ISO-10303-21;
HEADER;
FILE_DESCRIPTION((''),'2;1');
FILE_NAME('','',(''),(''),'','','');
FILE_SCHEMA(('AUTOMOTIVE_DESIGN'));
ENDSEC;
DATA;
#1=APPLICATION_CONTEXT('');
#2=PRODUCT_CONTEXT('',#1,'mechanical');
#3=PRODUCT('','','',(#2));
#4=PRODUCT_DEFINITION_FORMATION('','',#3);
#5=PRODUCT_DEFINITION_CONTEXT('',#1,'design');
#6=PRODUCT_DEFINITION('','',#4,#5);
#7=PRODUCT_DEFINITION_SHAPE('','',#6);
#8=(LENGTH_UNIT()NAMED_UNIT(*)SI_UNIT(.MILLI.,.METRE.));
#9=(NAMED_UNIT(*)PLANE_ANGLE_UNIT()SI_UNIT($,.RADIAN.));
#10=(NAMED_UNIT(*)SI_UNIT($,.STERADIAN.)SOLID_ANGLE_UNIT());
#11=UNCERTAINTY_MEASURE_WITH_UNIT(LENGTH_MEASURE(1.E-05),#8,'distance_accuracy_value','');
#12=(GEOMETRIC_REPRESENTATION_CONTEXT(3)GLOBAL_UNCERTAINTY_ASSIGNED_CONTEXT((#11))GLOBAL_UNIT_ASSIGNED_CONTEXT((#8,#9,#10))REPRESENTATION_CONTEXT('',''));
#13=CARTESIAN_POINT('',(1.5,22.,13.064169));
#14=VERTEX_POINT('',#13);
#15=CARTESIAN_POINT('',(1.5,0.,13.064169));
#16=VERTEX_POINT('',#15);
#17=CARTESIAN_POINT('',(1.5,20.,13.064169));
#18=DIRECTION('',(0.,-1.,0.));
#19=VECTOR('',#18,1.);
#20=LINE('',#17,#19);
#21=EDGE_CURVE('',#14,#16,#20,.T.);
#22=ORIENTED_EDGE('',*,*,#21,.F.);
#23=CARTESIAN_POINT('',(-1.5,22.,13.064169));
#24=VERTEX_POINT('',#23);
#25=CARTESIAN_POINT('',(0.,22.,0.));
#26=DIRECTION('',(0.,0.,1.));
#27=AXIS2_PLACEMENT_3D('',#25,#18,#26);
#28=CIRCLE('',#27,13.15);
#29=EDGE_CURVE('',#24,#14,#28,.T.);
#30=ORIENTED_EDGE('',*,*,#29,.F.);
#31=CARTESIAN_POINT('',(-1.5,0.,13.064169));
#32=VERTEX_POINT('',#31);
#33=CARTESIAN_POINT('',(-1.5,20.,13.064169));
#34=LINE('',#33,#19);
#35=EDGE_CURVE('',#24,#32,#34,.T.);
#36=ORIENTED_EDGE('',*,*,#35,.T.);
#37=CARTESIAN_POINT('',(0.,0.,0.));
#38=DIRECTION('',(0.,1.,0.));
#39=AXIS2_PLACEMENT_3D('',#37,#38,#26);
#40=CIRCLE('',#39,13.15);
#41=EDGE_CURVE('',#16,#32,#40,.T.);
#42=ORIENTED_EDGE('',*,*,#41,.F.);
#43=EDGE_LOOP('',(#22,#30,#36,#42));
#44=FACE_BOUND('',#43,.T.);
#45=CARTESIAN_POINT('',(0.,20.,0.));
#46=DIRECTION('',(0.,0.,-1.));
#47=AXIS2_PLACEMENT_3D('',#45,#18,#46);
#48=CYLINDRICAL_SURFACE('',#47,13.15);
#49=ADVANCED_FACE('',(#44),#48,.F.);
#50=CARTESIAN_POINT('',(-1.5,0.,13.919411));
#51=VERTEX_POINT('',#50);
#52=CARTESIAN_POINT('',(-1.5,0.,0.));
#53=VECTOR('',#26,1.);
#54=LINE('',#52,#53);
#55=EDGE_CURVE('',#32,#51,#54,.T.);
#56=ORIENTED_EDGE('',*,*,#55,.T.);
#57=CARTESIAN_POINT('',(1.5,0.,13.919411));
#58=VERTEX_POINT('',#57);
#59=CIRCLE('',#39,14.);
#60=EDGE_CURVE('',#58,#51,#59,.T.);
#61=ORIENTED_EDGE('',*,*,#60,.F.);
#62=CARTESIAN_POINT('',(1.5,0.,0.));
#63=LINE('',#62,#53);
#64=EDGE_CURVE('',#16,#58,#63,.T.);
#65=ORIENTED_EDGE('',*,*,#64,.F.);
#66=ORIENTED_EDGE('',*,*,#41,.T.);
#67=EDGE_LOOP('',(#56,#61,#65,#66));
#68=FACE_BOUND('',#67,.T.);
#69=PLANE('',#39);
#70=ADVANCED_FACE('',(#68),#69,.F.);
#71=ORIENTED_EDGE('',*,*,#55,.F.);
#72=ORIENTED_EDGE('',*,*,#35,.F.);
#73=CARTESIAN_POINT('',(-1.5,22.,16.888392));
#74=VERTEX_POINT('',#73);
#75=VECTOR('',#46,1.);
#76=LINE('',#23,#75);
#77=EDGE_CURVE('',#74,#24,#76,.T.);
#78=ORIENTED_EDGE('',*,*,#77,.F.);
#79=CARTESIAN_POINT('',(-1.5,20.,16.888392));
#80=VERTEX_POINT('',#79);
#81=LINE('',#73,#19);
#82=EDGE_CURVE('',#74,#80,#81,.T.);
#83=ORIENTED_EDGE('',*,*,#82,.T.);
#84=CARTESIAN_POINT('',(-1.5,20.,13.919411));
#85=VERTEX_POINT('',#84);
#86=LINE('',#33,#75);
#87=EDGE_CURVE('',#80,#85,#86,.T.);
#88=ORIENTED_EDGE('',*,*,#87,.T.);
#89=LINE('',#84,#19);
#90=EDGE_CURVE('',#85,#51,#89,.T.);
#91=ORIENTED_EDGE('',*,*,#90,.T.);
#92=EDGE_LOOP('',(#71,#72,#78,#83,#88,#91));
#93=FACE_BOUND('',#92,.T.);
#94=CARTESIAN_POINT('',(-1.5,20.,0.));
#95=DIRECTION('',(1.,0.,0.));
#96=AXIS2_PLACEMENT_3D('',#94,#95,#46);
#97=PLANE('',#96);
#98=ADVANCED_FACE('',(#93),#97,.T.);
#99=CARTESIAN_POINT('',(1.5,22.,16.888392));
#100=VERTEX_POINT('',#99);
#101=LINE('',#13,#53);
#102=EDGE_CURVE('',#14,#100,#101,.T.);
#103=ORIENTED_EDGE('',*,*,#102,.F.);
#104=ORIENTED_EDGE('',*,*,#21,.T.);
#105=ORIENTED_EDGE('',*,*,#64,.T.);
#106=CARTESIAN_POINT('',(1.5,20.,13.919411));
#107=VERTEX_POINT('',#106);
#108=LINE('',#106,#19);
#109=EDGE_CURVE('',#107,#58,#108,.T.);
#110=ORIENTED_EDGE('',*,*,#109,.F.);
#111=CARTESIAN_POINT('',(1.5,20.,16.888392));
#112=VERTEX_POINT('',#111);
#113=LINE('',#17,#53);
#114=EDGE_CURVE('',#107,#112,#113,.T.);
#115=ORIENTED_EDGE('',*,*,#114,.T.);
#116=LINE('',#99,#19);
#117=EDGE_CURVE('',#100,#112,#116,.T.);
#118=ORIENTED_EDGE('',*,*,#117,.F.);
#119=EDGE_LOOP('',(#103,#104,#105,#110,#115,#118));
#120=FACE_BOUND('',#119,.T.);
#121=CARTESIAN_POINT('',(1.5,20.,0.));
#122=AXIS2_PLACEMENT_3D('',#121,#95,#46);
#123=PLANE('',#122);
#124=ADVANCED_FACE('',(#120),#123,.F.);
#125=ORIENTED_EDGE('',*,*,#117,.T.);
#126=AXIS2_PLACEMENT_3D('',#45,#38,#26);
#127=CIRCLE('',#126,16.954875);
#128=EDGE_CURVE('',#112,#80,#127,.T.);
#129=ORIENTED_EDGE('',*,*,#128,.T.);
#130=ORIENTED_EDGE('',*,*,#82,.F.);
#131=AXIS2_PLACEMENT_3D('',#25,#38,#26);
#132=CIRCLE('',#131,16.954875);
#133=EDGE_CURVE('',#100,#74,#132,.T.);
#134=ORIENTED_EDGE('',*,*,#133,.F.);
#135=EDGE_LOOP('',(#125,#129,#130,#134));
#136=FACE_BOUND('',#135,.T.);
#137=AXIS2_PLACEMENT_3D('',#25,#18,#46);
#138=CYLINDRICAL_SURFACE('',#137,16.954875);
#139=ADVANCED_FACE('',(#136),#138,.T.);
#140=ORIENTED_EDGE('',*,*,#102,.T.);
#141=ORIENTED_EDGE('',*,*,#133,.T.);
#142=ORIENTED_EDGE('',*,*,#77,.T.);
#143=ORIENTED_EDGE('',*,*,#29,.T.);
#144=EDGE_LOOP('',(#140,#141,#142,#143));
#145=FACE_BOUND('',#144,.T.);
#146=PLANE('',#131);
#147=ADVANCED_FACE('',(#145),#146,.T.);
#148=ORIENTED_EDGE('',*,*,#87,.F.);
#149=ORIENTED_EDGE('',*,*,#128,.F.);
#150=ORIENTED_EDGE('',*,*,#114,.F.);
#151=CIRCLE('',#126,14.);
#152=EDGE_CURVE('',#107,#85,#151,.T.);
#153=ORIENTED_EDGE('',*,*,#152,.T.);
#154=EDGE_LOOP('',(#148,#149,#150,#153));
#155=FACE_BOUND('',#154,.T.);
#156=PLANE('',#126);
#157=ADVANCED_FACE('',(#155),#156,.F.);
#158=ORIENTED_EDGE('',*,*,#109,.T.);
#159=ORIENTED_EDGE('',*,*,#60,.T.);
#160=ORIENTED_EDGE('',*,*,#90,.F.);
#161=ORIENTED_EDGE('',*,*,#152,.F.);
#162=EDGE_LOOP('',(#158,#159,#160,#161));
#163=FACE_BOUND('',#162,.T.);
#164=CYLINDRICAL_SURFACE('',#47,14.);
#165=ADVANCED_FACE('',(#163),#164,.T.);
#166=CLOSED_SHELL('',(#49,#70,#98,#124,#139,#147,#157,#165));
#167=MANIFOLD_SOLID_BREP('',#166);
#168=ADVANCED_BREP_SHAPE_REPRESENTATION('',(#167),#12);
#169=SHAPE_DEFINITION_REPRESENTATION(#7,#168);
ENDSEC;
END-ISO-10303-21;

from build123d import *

# Parameters (mm, degrees)
BOSS_EXTRUDE1_DEPTH = 20
BOSS_EXTRUDE2_DEPTH = 2


with BuildPart() as part:
    # Sketch1 → Boss-Extrude1 (new body)
    with BuildSketch(Plane(origin=(0, 0, 0), x_dir=(1, 0, 0), z_dir=(0, 1, 0))):
        with BuildLine():
            Line((-1.5, -13.064168554), (-1.5, -13.919410907))
            ThreePointArc((-1.5, -13.919410907), (0, 14), (1.5, -13.919410907))
            Line((1.5, -13.919410907), (1.5, -13.064168554))
            ThreePointArc((1.5, -13.064168554), (0, 13.15), (-1.5, -13.064168554))
        make_face()
    extrude(amount=BOSS_EXTRUDE1_DEPTH)

    # Sketch2 → Boss-Extrude2 (add)
    with BuildSketch(Plane(origin=(0, 20, 0), x_dir=(1, 0, 0), z_dir=(0, 1, 0))):
        with BuildLine():
            Line((-1.5, -13.064168554), (-1.5, -16.888391582))
            ThreePointArc((-1.5, -16.888391582), (0, 16.954874527), (1.5, -16.888391582))
            Line((1.5, -16.888391582), (1.5, -13.064168554))
            ThreePointArc((1.5, -13.064168554), (0, 13.15), (-1.5, -13.064168554))
        make_face()
    extrude(amount=BOSS_EXTRUDE2_DEPTH)


solid = part.part
